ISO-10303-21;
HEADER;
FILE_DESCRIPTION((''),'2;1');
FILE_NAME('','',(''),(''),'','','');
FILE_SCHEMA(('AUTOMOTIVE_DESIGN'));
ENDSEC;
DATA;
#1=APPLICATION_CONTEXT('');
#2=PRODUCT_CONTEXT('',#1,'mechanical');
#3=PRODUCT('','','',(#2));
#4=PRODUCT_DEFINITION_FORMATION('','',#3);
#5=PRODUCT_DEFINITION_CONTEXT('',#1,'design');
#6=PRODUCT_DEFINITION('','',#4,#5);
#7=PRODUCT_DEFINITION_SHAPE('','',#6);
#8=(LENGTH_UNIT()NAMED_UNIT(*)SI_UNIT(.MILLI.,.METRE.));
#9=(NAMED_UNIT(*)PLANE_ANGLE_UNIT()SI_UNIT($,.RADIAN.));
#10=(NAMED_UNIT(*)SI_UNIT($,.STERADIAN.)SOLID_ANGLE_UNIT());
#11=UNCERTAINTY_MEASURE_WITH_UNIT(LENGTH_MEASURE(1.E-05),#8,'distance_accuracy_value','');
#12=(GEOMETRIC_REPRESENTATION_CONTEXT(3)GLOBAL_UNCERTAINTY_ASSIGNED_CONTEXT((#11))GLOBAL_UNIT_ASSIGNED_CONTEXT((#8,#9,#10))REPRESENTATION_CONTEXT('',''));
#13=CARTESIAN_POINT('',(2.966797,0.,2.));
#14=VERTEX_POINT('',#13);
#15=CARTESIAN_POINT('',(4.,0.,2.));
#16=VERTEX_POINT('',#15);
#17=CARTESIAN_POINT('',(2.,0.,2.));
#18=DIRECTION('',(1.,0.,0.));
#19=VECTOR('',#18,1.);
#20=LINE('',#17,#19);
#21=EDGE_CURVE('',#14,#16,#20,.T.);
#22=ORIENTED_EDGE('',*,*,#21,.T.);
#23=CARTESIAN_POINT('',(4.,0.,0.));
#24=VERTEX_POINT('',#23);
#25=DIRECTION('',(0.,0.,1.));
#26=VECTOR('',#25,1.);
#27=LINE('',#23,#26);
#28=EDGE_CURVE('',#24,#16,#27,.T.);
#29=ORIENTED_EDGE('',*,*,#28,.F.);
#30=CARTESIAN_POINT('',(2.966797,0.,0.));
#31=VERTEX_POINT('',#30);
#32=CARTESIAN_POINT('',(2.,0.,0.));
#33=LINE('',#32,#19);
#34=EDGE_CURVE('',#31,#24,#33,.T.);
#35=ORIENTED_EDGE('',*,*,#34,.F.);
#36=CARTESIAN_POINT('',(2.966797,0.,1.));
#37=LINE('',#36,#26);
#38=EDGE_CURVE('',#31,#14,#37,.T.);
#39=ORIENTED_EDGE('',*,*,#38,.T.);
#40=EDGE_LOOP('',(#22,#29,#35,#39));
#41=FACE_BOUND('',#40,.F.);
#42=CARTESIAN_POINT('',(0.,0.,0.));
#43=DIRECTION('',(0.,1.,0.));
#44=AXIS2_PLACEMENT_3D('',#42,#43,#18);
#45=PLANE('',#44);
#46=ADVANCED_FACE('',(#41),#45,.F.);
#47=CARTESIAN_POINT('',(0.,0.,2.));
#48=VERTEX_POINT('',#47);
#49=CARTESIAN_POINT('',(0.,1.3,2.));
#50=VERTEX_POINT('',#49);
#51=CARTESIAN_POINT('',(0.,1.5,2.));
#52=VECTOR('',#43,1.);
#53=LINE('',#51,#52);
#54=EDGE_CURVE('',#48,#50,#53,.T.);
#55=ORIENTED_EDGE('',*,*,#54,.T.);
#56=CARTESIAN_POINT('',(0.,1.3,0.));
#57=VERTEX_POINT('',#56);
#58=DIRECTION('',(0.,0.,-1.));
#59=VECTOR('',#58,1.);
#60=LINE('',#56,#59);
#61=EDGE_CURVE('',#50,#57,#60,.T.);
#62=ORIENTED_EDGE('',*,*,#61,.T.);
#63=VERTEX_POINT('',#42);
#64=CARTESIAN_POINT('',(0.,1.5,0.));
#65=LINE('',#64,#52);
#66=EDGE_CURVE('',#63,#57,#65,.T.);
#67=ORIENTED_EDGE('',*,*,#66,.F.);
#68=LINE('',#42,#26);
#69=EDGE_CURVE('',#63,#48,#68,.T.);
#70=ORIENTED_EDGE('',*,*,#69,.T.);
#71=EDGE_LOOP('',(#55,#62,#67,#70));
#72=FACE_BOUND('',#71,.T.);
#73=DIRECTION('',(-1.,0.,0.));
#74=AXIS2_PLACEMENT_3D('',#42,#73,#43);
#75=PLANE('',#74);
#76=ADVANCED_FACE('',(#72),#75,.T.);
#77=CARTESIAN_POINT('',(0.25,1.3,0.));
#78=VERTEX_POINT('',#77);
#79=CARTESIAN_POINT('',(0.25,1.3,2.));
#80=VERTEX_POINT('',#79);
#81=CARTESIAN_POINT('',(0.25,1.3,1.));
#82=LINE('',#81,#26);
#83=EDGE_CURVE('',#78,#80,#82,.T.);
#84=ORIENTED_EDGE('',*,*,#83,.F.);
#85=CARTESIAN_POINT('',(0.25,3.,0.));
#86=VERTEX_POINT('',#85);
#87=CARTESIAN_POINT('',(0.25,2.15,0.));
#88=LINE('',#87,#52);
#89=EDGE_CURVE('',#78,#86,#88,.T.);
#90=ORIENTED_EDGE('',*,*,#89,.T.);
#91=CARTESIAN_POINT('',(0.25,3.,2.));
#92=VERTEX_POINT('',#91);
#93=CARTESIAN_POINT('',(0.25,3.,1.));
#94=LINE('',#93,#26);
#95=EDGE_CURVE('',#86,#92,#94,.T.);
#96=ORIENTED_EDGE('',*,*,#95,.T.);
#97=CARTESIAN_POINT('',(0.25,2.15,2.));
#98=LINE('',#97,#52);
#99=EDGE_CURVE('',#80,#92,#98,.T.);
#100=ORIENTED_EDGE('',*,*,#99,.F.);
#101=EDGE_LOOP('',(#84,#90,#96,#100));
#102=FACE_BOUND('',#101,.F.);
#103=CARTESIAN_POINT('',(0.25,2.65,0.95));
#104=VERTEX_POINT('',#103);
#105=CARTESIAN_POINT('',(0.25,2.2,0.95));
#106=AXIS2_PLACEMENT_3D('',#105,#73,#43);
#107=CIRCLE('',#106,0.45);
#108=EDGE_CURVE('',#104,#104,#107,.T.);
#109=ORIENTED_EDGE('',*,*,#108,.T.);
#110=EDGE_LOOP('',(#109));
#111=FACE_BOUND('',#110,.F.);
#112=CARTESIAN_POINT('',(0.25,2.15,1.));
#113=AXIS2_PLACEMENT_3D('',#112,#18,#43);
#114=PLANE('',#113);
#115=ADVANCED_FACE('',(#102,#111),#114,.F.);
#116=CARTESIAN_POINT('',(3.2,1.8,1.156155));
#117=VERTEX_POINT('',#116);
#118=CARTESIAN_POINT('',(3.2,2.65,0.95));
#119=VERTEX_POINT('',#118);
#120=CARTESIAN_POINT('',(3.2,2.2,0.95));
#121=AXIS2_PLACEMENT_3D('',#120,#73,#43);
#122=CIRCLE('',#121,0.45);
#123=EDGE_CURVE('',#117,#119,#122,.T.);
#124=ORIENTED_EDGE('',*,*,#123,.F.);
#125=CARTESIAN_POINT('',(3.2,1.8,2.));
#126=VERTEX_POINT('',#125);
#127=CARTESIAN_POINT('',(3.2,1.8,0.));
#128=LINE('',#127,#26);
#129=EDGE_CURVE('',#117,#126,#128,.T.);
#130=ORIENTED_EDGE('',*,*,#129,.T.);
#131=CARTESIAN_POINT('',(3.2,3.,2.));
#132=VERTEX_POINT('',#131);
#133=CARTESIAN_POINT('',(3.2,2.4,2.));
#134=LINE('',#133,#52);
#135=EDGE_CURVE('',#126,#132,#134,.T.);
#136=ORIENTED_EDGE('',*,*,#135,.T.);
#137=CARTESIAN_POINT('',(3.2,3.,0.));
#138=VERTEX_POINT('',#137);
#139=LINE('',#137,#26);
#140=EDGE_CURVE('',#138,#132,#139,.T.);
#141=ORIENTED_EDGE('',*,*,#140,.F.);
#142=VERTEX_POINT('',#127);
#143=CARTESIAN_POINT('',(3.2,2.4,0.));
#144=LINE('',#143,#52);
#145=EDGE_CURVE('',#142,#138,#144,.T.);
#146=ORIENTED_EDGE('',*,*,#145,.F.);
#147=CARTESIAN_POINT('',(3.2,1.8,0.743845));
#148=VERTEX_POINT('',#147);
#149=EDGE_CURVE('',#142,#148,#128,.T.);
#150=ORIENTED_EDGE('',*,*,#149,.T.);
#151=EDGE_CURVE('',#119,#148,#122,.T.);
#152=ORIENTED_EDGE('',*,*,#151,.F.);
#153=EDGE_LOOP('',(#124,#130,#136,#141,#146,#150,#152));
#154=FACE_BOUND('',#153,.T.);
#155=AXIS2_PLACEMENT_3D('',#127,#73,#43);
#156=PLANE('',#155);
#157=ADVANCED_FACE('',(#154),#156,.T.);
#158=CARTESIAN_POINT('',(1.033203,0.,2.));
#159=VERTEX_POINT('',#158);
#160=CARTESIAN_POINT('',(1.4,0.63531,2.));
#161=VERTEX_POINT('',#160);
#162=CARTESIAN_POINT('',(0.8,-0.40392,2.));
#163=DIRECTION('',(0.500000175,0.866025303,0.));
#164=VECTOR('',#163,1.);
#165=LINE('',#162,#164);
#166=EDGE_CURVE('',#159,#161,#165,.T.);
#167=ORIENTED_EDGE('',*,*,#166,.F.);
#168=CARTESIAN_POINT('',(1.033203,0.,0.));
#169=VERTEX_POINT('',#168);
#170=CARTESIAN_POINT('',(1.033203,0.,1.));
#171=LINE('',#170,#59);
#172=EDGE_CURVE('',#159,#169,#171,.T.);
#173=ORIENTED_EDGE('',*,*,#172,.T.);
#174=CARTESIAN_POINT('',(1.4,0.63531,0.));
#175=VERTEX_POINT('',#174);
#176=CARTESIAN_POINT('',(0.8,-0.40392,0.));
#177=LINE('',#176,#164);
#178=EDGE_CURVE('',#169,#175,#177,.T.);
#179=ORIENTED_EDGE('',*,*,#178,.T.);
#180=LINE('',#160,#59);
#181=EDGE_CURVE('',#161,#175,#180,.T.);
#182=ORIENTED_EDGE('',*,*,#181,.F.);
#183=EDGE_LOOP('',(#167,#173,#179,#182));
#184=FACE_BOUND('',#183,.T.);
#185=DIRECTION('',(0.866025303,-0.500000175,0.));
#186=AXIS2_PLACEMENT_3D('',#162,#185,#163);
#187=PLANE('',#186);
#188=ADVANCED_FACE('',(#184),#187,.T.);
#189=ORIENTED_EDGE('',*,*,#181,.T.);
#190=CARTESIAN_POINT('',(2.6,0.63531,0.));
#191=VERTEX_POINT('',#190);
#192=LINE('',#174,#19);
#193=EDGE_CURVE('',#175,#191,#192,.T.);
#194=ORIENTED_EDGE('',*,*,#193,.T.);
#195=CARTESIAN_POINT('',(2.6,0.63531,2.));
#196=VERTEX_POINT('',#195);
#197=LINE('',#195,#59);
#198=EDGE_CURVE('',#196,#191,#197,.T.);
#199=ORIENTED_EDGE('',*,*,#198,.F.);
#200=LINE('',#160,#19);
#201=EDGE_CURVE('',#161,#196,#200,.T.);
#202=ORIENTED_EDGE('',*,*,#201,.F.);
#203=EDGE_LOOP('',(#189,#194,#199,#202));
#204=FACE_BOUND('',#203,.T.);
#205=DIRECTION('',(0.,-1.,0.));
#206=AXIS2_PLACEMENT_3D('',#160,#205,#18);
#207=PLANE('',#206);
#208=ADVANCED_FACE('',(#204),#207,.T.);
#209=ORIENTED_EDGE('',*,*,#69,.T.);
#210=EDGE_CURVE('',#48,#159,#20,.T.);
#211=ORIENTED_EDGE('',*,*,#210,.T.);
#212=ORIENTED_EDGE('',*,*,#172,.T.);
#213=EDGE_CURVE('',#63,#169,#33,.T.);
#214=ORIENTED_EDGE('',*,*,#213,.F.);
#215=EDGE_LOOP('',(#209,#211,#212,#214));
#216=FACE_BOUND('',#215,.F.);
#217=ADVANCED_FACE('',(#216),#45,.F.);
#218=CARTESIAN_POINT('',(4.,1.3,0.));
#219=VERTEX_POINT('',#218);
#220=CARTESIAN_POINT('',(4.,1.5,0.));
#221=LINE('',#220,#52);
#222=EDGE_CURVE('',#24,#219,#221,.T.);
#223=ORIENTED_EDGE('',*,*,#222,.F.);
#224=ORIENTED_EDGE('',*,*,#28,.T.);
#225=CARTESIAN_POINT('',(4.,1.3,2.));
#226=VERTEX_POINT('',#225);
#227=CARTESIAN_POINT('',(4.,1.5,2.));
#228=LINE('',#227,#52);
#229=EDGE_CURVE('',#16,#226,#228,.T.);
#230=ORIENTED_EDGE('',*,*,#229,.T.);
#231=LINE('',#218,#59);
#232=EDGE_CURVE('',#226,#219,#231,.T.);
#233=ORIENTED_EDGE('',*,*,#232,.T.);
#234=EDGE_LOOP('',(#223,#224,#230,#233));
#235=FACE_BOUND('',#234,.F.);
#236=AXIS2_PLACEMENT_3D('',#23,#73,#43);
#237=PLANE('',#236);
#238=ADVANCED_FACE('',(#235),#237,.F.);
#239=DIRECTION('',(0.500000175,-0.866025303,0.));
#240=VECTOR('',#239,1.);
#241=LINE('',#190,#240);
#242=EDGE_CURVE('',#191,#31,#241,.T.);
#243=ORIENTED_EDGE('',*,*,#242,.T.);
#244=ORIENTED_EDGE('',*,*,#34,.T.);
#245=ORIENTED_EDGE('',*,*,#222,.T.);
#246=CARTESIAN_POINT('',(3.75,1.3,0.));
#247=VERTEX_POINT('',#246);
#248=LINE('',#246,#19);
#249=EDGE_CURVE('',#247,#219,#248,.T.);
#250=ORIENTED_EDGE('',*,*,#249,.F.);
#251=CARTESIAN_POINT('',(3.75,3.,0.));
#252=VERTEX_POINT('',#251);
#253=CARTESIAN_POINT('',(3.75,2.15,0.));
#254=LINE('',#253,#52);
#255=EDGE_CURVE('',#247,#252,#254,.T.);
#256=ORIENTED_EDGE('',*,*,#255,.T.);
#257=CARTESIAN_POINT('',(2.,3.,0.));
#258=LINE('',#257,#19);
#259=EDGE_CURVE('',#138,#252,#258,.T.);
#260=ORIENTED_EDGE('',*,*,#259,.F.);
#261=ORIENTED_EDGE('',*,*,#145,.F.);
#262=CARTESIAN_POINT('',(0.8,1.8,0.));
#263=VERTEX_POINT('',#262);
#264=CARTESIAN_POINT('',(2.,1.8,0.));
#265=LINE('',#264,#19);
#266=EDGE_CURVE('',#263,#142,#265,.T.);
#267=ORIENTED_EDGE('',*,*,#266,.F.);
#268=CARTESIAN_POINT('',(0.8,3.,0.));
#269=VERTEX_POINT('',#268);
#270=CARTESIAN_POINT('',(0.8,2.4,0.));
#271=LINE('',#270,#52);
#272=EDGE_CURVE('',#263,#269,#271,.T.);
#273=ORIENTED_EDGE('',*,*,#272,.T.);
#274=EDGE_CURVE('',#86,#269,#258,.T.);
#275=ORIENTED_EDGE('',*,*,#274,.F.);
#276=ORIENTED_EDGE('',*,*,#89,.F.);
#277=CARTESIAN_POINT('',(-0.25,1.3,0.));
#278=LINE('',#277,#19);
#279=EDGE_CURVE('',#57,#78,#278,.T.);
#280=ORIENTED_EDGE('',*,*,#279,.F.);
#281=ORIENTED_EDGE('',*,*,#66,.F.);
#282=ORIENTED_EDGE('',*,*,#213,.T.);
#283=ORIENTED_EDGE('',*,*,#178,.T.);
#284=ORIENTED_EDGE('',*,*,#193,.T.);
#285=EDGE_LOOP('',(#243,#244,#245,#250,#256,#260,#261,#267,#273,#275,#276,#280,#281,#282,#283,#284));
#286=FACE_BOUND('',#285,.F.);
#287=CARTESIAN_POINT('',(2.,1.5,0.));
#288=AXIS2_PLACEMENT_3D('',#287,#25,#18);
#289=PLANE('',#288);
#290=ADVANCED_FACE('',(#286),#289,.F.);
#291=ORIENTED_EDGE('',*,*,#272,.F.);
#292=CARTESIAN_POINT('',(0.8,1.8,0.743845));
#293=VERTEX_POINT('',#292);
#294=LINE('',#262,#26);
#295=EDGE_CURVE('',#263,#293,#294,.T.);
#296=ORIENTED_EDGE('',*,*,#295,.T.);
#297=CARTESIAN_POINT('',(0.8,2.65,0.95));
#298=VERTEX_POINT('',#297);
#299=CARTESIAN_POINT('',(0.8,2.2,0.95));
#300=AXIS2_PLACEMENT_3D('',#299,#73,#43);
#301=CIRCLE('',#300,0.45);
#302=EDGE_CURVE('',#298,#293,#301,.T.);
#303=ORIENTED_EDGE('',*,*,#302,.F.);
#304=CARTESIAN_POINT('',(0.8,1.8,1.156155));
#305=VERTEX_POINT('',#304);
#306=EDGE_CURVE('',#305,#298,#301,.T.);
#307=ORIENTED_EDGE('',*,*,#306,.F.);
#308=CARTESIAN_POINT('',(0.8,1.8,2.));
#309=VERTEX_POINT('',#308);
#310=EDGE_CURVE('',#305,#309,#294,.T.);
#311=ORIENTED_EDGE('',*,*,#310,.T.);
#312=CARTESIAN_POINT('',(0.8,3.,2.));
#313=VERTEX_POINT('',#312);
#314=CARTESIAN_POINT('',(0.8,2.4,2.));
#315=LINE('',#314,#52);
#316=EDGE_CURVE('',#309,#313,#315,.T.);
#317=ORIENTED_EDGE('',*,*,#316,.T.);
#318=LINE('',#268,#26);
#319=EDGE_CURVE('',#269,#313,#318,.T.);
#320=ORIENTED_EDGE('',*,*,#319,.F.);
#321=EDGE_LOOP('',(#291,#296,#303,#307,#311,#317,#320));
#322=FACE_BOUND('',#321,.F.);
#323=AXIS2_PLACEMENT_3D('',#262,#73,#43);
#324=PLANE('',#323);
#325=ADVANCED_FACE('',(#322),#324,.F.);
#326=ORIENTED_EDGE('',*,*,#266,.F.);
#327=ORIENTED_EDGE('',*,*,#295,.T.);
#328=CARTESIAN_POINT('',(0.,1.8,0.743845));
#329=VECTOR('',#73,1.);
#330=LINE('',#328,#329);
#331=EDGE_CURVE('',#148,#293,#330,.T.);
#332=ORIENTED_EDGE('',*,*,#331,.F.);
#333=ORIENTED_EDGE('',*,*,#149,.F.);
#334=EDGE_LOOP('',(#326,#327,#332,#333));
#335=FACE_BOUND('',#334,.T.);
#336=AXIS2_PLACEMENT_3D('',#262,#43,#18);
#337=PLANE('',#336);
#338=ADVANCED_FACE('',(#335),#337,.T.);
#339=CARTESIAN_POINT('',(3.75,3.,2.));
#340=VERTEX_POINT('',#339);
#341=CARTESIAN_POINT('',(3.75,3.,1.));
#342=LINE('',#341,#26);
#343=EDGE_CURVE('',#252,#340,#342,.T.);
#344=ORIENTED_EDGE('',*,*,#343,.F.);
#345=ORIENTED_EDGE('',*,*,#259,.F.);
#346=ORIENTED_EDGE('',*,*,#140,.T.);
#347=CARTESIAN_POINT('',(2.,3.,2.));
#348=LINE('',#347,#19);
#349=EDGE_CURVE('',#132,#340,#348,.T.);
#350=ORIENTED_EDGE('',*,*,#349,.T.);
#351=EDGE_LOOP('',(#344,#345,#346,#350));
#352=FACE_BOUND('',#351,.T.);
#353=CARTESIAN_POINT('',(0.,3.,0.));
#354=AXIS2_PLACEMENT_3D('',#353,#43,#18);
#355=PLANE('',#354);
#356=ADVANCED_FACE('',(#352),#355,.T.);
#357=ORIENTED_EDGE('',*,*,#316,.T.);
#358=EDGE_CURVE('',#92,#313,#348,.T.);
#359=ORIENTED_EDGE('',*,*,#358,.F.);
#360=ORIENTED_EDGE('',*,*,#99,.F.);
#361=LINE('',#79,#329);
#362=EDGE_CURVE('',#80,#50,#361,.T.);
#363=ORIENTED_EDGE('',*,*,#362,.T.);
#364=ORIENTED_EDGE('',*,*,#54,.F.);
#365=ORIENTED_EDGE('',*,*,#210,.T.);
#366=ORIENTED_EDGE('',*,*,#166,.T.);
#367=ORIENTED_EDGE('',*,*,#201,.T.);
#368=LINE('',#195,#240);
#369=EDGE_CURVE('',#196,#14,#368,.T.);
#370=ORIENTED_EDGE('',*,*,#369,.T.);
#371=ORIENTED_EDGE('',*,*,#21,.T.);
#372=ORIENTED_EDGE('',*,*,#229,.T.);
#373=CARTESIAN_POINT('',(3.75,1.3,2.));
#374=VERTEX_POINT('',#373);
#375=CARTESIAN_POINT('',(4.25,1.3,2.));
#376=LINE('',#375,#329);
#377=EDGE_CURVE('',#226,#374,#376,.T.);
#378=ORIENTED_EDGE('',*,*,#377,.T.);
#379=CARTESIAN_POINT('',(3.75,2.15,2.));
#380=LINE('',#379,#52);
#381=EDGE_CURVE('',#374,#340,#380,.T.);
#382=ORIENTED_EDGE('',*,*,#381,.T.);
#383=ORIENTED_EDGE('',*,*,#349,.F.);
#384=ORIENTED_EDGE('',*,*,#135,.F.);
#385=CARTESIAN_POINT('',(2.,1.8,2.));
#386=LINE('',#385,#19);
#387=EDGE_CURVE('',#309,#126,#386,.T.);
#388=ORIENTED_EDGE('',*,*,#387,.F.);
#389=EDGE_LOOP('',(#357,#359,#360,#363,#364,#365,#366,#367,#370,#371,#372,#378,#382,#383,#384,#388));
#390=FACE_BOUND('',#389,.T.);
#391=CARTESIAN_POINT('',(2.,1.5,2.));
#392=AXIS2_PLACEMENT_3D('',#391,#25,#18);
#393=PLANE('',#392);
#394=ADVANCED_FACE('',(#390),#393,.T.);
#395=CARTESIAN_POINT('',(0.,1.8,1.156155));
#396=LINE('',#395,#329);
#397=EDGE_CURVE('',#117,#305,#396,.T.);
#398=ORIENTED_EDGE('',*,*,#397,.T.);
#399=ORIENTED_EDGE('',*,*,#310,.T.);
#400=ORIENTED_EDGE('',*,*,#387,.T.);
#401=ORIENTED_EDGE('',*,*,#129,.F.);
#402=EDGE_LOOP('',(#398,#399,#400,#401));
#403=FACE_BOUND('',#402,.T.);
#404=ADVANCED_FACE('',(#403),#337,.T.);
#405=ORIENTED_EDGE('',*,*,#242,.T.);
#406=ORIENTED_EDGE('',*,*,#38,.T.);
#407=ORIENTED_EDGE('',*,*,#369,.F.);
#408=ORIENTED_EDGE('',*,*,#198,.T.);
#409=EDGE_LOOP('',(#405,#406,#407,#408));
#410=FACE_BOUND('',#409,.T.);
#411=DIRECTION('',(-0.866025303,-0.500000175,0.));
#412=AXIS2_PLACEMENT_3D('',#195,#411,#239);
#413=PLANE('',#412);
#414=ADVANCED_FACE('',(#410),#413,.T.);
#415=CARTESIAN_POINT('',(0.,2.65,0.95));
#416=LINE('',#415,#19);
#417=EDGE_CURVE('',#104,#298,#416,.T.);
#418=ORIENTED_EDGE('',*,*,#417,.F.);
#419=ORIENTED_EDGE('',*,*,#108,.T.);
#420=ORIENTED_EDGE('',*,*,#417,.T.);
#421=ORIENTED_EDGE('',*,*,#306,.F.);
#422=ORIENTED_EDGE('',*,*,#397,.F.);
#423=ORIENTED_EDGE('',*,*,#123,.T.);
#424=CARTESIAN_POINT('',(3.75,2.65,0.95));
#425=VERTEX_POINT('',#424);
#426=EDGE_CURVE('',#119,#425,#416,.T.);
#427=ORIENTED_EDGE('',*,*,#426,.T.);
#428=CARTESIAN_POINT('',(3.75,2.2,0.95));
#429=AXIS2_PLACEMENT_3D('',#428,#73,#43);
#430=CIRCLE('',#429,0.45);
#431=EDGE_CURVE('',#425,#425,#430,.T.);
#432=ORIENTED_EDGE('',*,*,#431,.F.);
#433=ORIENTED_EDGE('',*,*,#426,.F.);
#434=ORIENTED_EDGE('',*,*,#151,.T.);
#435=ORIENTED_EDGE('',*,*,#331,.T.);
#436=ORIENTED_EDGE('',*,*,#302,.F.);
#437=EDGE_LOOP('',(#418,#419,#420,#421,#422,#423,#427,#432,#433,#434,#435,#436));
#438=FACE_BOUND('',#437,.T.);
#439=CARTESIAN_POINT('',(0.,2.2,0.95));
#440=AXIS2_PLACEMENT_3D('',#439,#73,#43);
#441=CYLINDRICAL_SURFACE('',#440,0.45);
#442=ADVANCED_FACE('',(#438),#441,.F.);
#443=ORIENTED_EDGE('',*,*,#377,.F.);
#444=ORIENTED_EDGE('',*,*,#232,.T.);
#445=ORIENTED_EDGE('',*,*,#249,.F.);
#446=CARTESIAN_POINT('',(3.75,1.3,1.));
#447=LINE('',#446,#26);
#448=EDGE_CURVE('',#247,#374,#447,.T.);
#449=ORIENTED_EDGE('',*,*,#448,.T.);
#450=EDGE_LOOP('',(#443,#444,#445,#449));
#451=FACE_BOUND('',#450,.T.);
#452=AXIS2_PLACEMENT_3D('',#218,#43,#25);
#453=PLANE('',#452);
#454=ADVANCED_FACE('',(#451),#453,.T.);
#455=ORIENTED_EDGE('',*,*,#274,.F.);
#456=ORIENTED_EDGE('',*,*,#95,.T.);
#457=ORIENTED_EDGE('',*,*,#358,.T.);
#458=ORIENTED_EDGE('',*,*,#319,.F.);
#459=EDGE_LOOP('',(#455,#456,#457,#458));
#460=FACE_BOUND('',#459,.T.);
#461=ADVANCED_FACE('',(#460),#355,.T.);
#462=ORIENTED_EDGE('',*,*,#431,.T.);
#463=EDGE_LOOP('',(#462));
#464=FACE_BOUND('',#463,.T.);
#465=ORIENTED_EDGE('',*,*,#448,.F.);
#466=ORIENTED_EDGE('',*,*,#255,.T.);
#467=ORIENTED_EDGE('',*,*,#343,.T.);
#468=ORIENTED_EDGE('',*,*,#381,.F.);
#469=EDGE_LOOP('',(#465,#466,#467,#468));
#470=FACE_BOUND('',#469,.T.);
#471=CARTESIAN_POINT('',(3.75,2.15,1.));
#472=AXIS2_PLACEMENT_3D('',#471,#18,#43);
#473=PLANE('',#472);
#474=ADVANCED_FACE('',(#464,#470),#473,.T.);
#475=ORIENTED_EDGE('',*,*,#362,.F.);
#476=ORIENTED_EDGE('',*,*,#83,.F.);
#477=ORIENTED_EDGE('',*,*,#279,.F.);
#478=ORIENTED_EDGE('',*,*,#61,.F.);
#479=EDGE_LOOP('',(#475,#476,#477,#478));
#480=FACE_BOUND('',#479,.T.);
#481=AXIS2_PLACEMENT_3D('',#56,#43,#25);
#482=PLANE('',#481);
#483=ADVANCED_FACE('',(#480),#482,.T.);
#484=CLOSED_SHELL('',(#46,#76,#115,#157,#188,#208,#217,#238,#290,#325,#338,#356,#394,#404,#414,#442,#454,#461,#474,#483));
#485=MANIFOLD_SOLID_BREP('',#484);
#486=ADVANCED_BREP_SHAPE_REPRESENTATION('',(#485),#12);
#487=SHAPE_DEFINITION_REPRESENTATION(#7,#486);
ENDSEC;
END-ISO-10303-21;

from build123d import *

# Parameters (mm, degrees)
BOX_W                = 4
BOX_H                = 3
BOX_DEPTH            = 2
SKETCH_W             = 1.7
SKETCH_H             = 2
POCKET_DEPTH         = 0.25
SKETCH001_W          = 1.7
SKETCH001_H          = 2
POCKET001_DEPTH      = 0.25
PRISM_DEPTH          = 2
SKETCH003_R          = 0.45
POCKET002_DEPTH      = 5
BOX001_W             = 2.4
BOX001_H             = 1.2
BOX001_DEPTH         = 2
SKETCH004_R          = 0.45
POCKET003_DEPTH      = 0.001
POCKET003_DEPTH_BACK = -4.001


with BuildPart() as part:
    # Box → Box (join)
    with BuildSketch(Plane.XY):
        with Locations((2, 1.5)):
            Rectangle(BOX_W, BOX_H)
    extrude(amount=BOX_DEPTH)

    # Sketch → Pocket (cut, symmetric)
    with BuildSketch(Plane.YZ):
        with Locations((2.15, 1)):
            Rectangle(SKETCH_W, SKETCH_H)
    extrude(amount=POCKET_DEPTH, both=True, mode=Mode.SUBTRACT)

    # Sketch001 (on Face8 of Pocket) → Pocket001 (cut, symmetric)
    with BuildSketch(Plane.YZ.offset(4)):
        with Locations((2.15, 1)):
            Rectangle(SKETCH001_W, SKETCH001_H)
    extrude(amount=POCKET001_DEPTH, both=True, mode=Mode.SUBTRACT)

    # Prism → Prism (cut)
    with BuildSketch(Plane(origin=(2, -0.40392, 2), x_dir=(1, 0, 0), z_dir=(0, 0, -1))):
        Polygon((1.2, 0), (0.6, 1.03923), (-0.6, 1.03923), (-1.2, 0), (-0.6, -1.03923), (0.6, -1.03923), align=None)
    extrude(amount=PRISM_DEPTH, mode=Mode.SUBTRACT)

    # Sketch003 (on Face8 of Prism) → Pocket002 (cut)
    with BuildSketch(Plane(origin=(3.75, -0.40392, 2), x_dir=(0, -1, 0), z_dir=(1, 0, 0))):
        with Locations((2.15, 1)):
            Circle(SKETCH003_R)
    extrude(amount=-POCKET002_DEPTH, mode=Mode.SUBTRACT)

    # Box001 → Box001 (cut)
    with BuildSketch(Plane(origin=(0.8, 1.8, 0), x_dir=(1, 0, 0), z_dir=(0, 0, 1))):
        with Locations((1.2, 0.6)):
            Rectangle(BOX001_W, BOX001_H)
    extrude(amount=BOX001_DEPTH, mode=Mode.SUBTRACT)

    # Sketch004 → Pocket003 (cut, two sides)
    with BuildSketch(Plane.YZ) as pocket003_sk:
        with Locations((2.2, 0.95)):
            Circle(SKETCH004_R)
    extrude(amount=-POCKET003_DEPTH, mode=Mode.SUBTRACT)
    extrude(pocket003_sk.sketch, amount=-POCKET003_DEPTH_BACK, mode=Mode.SUBTRACT)


solid = part.part
